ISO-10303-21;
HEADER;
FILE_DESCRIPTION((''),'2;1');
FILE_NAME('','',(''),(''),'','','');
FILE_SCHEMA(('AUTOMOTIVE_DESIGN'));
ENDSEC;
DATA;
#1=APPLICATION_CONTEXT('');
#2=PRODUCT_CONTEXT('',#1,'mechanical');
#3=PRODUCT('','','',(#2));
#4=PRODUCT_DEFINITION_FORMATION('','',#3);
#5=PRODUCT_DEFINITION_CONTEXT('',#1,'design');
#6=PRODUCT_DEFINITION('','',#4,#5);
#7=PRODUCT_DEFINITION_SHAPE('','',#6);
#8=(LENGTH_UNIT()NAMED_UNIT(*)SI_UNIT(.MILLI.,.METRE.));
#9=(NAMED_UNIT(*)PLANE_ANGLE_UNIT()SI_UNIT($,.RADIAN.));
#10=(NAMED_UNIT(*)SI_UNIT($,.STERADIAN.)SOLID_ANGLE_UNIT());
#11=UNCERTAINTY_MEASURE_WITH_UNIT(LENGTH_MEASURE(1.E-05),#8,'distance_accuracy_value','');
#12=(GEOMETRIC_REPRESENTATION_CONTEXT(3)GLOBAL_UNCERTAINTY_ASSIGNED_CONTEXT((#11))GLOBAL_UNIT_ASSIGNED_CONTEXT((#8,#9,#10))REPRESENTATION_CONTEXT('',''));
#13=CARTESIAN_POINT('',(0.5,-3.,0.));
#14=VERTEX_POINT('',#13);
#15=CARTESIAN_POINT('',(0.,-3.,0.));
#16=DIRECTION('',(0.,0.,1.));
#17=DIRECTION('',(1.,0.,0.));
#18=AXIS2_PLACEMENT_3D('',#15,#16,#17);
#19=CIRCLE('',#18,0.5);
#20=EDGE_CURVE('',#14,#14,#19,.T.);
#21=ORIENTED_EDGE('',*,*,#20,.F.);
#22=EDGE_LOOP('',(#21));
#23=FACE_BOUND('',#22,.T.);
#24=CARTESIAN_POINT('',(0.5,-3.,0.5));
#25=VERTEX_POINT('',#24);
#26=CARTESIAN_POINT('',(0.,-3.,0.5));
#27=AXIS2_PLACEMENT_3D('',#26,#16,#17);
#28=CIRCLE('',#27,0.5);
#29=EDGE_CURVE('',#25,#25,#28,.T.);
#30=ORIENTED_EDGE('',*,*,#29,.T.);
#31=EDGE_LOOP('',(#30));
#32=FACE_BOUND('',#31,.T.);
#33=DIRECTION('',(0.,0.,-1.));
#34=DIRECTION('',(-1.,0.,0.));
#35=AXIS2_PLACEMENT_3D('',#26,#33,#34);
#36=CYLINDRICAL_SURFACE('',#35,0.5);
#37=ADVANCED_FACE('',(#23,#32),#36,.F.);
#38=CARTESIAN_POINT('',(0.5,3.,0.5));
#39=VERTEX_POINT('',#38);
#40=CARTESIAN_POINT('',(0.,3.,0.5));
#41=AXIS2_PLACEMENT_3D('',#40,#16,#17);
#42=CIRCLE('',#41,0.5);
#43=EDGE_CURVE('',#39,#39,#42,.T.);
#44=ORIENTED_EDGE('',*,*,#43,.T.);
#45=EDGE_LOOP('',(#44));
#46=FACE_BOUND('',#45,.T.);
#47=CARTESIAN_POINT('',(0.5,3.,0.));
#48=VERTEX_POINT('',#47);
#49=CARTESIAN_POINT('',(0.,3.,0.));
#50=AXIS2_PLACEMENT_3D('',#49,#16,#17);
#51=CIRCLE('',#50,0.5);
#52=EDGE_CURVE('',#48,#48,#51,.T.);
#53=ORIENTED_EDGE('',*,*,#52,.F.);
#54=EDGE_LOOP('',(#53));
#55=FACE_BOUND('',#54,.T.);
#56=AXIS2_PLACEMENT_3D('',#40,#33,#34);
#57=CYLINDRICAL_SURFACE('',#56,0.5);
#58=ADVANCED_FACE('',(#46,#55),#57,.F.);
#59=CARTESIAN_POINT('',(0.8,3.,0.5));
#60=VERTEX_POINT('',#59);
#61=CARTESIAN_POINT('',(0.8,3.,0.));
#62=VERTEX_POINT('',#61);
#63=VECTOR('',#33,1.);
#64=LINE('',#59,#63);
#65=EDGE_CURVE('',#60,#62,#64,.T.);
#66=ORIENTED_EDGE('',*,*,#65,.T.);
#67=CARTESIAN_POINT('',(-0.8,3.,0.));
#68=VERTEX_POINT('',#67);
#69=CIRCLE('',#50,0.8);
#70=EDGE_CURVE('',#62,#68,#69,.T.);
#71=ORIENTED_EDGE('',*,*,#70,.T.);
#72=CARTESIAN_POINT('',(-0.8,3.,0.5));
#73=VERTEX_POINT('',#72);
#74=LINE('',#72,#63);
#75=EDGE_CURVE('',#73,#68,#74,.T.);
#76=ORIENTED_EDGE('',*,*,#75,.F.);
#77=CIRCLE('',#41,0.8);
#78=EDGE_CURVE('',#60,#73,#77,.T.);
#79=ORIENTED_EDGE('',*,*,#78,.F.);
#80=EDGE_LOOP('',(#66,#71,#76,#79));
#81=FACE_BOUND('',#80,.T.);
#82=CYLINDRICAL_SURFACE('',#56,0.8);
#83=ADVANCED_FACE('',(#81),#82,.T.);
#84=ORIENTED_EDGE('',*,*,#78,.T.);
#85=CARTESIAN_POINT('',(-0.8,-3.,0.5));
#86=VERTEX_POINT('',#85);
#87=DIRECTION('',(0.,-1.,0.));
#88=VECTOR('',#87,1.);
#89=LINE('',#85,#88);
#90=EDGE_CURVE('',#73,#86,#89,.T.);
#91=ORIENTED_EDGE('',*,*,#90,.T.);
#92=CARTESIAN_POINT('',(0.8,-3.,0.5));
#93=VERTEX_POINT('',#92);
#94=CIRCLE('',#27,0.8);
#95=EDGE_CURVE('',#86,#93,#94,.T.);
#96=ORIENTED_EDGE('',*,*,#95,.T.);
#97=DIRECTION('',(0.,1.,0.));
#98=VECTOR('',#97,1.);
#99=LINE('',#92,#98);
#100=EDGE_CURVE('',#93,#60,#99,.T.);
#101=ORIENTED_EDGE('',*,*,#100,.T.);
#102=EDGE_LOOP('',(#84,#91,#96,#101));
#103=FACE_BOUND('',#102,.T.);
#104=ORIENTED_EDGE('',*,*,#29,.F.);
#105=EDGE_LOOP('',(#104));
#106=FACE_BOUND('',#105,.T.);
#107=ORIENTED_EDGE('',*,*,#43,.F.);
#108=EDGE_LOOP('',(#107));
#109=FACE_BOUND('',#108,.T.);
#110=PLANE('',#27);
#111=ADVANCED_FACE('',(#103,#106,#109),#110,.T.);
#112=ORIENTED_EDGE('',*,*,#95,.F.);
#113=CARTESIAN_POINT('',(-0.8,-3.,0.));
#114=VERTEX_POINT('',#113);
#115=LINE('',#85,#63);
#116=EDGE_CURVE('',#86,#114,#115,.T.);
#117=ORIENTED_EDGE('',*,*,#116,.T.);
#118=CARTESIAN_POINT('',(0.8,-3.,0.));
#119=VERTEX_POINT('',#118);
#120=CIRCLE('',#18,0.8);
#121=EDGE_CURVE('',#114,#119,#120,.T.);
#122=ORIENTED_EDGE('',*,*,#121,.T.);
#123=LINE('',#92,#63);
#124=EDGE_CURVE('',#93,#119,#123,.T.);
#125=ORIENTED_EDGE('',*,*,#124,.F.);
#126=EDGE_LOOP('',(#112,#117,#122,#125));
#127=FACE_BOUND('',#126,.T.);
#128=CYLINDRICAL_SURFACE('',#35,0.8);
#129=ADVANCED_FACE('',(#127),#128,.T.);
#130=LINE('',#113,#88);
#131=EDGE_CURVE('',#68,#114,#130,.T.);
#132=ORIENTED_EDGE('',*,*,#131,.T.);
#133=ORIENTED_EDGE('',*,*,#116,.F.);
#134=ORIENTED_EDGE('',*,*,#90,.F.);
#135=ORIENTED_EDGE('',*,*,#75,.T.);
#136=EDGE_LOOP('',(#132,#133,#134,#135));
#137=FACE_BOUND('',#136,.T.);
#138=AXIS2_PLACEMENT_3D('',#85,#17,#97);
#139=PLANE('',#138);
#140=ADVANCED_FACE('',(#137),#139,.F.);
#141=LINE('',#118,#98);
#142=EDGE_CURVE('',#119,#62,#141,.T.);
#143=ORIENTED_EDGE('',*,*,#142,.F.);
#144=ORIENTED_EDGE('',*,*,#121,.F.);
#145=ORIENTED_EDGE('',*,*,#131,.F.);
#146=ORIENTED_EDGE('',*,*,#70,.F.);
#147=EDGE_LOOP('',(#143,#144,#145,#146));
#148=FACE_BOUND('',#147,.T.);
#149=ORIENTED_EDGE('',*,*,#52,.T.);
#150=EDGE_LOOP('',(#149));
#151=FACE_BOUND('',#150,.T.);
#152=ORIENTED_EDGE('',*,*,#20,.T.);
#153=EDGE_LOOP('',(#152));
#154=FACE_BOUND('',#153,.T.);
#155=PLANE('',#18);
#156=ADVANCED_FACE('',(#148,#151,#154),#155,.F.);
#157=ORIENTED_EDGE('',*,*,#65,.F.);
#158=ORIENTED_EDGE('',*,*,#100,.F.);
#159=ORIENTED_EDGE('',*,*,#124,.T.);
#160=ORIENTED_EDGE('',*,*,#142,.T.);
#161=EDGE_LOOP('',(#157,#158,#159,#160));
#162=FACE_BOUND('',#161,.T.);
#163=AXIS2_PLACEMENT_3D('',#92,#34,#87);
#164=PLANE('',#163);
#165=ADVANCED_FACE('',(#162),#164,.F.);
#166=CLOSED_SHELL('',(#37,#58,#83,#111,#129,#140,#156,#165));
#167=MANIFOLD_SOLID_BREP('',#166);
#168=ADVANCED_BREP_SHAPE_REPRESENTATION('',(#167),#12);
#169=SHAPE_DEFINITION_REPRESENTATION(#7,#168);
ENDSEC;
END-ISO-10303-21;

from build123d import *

# Parameters (mm, degrees)
SKETCH_1_R      = 0.5
EXTRUDE_1_DEPTH = 0.5


with BuildPart() as part:
    # 草圖1 → 填料-伸長1 (new body)
    with BuildSketch(Plane.XY):
        with BuildLine():
            Line((-0.8, -3), (-0.8, 3))
            ThreePointArc((-0.8, 3), (0, 3.8), (0.8, 3))
            Line((0.8, 3), (0.8, -3))
            ThreePointArc((0.8, -3), (0, -3.8), (-0.8, -3))
        make_face()
        with Locations((0, 3)):
            Circle(SKETCH_1_R, mode=Mode.SUBTRACT)
        with Locations((0, -3)):
            Circle(SKETCH_1_R, mode=Mode.SUBTRACT)
    extrude(amount=EXTRUDE_1_DEPTH)


solid = part.part
